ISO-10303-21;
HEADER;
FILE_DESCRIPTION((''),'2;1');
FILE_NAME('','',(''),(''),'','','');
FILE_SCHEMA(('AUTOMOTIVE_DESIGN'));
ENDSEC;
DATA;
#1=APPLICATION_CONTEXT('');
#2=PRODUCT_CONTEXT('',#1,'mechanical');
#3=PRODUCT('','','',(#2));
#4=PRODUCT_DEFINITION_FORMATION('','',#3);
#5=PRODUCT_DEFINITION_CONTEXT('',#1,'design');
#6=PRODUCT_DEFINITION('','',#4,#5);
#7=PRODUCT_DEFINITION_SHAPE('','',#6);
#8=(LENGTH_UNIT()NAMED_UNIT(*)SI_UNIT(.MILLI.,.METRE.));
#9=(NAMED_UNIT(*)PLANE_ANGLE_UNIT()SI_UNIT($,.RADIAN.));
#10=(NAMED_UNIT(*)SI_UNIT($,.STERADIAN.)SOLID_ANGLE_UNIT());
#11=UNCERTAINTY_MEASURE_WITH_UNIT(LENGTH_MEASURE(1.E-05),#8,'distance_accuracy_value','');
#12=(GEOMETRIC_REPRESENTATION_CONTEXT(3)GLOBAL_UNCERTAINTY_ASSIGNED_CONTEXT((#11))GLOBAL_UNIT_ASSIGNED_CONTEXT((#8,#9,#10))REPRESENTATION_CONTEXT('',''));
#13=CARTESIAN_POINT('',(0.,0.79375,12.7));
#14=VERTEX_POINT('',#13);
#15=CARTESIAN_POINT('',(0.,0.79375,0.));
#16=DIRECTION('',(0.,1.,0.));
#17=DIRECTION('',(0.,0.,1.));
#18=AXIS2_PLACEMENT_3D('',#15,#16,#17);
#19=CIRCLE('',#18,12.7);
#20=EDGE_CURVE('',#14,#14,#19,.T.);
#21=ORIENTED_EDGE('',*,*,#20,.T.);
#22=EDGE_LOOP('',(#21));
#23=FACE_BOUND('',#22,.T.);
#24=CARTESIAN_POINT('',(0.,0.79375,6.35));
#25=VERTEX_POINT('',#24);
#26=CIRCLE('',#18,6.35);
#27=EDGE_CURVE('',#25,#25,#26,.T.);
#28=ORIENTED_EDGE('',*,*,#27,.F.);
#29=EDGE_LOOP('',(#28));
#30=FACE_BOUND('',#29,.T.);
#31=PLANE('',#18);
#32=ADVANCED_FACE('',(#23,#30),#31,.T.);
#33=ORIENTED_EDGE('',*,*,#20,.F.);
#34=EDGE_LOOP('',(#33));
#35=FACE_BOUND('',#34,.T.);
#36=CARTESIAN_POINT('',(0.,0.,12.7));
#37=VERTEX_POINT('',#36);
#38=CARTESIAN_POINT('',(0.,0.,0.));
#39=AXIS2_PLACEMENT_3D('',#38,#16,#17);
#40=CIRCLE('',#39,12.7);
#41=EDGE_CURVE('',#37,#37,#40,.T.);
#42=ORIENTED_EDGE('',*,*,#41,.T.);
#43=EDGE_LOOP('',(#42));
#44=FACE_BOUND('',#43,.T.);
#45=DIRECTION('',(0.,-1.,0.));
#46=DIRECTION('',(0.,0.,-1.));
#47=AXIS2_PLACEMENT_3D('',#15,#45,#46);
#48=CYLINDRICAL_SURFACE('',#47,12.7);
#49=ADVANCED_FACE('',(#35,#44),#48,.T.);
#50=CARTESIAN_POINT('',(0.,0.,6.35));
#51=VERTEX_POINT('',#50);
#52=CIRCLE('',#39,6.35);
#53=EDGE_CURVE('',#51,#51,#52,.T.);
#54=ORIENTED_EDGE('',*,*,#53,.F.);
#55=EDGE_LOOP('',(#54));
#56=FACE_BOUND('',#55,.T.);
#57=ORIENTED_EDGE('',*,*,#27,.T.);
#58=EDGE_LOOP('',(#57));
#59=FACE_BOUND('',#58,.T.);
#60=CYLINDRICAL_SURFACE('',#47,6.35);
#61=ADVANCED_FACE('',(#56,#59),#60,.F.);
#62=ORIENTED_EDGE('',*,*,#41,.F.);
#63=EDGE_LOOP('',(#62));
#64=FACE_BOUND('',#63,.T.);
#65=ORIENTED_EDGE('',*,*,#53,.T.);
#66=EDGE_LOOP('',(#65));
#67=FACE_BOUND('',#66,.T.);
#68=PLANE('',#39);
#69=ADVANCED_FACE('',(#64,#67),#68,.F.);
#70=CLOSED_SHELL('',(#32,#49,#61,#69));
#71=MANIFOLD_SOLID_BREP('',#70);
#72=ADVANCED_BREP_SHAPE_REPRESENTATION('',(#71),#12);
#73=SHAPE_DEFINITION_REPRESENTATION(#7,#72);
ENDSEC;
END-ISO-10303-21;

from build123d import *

# Parameters (mm, degrees)
SKETCH1_R           = 12.7
SKETCH1_R_2         = 6.35
BOSS_EXTRUDE1_DEPTH = 0.79375


with BuildPart() as part:
    # Sketch1 → Boss-Extrude1 (new body)
    with BuildSketch(Plane(origin=(0, 0, 0), x_dir=(1, 0, 0), z_dir=(0, 1, 0))):
        with Locations(Location((0, 0, 0), (0, 0, 270))):
            Circle(SKETCH1_R)
        with Locations(Location((0, 0, 0), (0, 0, 270))):
            Circle(SKETCH1_R_2, mode=Mode.SUBTRACT)
    extrude(amount=BOSS_EXTRUDE1_DEPTH)


solid = part.part
